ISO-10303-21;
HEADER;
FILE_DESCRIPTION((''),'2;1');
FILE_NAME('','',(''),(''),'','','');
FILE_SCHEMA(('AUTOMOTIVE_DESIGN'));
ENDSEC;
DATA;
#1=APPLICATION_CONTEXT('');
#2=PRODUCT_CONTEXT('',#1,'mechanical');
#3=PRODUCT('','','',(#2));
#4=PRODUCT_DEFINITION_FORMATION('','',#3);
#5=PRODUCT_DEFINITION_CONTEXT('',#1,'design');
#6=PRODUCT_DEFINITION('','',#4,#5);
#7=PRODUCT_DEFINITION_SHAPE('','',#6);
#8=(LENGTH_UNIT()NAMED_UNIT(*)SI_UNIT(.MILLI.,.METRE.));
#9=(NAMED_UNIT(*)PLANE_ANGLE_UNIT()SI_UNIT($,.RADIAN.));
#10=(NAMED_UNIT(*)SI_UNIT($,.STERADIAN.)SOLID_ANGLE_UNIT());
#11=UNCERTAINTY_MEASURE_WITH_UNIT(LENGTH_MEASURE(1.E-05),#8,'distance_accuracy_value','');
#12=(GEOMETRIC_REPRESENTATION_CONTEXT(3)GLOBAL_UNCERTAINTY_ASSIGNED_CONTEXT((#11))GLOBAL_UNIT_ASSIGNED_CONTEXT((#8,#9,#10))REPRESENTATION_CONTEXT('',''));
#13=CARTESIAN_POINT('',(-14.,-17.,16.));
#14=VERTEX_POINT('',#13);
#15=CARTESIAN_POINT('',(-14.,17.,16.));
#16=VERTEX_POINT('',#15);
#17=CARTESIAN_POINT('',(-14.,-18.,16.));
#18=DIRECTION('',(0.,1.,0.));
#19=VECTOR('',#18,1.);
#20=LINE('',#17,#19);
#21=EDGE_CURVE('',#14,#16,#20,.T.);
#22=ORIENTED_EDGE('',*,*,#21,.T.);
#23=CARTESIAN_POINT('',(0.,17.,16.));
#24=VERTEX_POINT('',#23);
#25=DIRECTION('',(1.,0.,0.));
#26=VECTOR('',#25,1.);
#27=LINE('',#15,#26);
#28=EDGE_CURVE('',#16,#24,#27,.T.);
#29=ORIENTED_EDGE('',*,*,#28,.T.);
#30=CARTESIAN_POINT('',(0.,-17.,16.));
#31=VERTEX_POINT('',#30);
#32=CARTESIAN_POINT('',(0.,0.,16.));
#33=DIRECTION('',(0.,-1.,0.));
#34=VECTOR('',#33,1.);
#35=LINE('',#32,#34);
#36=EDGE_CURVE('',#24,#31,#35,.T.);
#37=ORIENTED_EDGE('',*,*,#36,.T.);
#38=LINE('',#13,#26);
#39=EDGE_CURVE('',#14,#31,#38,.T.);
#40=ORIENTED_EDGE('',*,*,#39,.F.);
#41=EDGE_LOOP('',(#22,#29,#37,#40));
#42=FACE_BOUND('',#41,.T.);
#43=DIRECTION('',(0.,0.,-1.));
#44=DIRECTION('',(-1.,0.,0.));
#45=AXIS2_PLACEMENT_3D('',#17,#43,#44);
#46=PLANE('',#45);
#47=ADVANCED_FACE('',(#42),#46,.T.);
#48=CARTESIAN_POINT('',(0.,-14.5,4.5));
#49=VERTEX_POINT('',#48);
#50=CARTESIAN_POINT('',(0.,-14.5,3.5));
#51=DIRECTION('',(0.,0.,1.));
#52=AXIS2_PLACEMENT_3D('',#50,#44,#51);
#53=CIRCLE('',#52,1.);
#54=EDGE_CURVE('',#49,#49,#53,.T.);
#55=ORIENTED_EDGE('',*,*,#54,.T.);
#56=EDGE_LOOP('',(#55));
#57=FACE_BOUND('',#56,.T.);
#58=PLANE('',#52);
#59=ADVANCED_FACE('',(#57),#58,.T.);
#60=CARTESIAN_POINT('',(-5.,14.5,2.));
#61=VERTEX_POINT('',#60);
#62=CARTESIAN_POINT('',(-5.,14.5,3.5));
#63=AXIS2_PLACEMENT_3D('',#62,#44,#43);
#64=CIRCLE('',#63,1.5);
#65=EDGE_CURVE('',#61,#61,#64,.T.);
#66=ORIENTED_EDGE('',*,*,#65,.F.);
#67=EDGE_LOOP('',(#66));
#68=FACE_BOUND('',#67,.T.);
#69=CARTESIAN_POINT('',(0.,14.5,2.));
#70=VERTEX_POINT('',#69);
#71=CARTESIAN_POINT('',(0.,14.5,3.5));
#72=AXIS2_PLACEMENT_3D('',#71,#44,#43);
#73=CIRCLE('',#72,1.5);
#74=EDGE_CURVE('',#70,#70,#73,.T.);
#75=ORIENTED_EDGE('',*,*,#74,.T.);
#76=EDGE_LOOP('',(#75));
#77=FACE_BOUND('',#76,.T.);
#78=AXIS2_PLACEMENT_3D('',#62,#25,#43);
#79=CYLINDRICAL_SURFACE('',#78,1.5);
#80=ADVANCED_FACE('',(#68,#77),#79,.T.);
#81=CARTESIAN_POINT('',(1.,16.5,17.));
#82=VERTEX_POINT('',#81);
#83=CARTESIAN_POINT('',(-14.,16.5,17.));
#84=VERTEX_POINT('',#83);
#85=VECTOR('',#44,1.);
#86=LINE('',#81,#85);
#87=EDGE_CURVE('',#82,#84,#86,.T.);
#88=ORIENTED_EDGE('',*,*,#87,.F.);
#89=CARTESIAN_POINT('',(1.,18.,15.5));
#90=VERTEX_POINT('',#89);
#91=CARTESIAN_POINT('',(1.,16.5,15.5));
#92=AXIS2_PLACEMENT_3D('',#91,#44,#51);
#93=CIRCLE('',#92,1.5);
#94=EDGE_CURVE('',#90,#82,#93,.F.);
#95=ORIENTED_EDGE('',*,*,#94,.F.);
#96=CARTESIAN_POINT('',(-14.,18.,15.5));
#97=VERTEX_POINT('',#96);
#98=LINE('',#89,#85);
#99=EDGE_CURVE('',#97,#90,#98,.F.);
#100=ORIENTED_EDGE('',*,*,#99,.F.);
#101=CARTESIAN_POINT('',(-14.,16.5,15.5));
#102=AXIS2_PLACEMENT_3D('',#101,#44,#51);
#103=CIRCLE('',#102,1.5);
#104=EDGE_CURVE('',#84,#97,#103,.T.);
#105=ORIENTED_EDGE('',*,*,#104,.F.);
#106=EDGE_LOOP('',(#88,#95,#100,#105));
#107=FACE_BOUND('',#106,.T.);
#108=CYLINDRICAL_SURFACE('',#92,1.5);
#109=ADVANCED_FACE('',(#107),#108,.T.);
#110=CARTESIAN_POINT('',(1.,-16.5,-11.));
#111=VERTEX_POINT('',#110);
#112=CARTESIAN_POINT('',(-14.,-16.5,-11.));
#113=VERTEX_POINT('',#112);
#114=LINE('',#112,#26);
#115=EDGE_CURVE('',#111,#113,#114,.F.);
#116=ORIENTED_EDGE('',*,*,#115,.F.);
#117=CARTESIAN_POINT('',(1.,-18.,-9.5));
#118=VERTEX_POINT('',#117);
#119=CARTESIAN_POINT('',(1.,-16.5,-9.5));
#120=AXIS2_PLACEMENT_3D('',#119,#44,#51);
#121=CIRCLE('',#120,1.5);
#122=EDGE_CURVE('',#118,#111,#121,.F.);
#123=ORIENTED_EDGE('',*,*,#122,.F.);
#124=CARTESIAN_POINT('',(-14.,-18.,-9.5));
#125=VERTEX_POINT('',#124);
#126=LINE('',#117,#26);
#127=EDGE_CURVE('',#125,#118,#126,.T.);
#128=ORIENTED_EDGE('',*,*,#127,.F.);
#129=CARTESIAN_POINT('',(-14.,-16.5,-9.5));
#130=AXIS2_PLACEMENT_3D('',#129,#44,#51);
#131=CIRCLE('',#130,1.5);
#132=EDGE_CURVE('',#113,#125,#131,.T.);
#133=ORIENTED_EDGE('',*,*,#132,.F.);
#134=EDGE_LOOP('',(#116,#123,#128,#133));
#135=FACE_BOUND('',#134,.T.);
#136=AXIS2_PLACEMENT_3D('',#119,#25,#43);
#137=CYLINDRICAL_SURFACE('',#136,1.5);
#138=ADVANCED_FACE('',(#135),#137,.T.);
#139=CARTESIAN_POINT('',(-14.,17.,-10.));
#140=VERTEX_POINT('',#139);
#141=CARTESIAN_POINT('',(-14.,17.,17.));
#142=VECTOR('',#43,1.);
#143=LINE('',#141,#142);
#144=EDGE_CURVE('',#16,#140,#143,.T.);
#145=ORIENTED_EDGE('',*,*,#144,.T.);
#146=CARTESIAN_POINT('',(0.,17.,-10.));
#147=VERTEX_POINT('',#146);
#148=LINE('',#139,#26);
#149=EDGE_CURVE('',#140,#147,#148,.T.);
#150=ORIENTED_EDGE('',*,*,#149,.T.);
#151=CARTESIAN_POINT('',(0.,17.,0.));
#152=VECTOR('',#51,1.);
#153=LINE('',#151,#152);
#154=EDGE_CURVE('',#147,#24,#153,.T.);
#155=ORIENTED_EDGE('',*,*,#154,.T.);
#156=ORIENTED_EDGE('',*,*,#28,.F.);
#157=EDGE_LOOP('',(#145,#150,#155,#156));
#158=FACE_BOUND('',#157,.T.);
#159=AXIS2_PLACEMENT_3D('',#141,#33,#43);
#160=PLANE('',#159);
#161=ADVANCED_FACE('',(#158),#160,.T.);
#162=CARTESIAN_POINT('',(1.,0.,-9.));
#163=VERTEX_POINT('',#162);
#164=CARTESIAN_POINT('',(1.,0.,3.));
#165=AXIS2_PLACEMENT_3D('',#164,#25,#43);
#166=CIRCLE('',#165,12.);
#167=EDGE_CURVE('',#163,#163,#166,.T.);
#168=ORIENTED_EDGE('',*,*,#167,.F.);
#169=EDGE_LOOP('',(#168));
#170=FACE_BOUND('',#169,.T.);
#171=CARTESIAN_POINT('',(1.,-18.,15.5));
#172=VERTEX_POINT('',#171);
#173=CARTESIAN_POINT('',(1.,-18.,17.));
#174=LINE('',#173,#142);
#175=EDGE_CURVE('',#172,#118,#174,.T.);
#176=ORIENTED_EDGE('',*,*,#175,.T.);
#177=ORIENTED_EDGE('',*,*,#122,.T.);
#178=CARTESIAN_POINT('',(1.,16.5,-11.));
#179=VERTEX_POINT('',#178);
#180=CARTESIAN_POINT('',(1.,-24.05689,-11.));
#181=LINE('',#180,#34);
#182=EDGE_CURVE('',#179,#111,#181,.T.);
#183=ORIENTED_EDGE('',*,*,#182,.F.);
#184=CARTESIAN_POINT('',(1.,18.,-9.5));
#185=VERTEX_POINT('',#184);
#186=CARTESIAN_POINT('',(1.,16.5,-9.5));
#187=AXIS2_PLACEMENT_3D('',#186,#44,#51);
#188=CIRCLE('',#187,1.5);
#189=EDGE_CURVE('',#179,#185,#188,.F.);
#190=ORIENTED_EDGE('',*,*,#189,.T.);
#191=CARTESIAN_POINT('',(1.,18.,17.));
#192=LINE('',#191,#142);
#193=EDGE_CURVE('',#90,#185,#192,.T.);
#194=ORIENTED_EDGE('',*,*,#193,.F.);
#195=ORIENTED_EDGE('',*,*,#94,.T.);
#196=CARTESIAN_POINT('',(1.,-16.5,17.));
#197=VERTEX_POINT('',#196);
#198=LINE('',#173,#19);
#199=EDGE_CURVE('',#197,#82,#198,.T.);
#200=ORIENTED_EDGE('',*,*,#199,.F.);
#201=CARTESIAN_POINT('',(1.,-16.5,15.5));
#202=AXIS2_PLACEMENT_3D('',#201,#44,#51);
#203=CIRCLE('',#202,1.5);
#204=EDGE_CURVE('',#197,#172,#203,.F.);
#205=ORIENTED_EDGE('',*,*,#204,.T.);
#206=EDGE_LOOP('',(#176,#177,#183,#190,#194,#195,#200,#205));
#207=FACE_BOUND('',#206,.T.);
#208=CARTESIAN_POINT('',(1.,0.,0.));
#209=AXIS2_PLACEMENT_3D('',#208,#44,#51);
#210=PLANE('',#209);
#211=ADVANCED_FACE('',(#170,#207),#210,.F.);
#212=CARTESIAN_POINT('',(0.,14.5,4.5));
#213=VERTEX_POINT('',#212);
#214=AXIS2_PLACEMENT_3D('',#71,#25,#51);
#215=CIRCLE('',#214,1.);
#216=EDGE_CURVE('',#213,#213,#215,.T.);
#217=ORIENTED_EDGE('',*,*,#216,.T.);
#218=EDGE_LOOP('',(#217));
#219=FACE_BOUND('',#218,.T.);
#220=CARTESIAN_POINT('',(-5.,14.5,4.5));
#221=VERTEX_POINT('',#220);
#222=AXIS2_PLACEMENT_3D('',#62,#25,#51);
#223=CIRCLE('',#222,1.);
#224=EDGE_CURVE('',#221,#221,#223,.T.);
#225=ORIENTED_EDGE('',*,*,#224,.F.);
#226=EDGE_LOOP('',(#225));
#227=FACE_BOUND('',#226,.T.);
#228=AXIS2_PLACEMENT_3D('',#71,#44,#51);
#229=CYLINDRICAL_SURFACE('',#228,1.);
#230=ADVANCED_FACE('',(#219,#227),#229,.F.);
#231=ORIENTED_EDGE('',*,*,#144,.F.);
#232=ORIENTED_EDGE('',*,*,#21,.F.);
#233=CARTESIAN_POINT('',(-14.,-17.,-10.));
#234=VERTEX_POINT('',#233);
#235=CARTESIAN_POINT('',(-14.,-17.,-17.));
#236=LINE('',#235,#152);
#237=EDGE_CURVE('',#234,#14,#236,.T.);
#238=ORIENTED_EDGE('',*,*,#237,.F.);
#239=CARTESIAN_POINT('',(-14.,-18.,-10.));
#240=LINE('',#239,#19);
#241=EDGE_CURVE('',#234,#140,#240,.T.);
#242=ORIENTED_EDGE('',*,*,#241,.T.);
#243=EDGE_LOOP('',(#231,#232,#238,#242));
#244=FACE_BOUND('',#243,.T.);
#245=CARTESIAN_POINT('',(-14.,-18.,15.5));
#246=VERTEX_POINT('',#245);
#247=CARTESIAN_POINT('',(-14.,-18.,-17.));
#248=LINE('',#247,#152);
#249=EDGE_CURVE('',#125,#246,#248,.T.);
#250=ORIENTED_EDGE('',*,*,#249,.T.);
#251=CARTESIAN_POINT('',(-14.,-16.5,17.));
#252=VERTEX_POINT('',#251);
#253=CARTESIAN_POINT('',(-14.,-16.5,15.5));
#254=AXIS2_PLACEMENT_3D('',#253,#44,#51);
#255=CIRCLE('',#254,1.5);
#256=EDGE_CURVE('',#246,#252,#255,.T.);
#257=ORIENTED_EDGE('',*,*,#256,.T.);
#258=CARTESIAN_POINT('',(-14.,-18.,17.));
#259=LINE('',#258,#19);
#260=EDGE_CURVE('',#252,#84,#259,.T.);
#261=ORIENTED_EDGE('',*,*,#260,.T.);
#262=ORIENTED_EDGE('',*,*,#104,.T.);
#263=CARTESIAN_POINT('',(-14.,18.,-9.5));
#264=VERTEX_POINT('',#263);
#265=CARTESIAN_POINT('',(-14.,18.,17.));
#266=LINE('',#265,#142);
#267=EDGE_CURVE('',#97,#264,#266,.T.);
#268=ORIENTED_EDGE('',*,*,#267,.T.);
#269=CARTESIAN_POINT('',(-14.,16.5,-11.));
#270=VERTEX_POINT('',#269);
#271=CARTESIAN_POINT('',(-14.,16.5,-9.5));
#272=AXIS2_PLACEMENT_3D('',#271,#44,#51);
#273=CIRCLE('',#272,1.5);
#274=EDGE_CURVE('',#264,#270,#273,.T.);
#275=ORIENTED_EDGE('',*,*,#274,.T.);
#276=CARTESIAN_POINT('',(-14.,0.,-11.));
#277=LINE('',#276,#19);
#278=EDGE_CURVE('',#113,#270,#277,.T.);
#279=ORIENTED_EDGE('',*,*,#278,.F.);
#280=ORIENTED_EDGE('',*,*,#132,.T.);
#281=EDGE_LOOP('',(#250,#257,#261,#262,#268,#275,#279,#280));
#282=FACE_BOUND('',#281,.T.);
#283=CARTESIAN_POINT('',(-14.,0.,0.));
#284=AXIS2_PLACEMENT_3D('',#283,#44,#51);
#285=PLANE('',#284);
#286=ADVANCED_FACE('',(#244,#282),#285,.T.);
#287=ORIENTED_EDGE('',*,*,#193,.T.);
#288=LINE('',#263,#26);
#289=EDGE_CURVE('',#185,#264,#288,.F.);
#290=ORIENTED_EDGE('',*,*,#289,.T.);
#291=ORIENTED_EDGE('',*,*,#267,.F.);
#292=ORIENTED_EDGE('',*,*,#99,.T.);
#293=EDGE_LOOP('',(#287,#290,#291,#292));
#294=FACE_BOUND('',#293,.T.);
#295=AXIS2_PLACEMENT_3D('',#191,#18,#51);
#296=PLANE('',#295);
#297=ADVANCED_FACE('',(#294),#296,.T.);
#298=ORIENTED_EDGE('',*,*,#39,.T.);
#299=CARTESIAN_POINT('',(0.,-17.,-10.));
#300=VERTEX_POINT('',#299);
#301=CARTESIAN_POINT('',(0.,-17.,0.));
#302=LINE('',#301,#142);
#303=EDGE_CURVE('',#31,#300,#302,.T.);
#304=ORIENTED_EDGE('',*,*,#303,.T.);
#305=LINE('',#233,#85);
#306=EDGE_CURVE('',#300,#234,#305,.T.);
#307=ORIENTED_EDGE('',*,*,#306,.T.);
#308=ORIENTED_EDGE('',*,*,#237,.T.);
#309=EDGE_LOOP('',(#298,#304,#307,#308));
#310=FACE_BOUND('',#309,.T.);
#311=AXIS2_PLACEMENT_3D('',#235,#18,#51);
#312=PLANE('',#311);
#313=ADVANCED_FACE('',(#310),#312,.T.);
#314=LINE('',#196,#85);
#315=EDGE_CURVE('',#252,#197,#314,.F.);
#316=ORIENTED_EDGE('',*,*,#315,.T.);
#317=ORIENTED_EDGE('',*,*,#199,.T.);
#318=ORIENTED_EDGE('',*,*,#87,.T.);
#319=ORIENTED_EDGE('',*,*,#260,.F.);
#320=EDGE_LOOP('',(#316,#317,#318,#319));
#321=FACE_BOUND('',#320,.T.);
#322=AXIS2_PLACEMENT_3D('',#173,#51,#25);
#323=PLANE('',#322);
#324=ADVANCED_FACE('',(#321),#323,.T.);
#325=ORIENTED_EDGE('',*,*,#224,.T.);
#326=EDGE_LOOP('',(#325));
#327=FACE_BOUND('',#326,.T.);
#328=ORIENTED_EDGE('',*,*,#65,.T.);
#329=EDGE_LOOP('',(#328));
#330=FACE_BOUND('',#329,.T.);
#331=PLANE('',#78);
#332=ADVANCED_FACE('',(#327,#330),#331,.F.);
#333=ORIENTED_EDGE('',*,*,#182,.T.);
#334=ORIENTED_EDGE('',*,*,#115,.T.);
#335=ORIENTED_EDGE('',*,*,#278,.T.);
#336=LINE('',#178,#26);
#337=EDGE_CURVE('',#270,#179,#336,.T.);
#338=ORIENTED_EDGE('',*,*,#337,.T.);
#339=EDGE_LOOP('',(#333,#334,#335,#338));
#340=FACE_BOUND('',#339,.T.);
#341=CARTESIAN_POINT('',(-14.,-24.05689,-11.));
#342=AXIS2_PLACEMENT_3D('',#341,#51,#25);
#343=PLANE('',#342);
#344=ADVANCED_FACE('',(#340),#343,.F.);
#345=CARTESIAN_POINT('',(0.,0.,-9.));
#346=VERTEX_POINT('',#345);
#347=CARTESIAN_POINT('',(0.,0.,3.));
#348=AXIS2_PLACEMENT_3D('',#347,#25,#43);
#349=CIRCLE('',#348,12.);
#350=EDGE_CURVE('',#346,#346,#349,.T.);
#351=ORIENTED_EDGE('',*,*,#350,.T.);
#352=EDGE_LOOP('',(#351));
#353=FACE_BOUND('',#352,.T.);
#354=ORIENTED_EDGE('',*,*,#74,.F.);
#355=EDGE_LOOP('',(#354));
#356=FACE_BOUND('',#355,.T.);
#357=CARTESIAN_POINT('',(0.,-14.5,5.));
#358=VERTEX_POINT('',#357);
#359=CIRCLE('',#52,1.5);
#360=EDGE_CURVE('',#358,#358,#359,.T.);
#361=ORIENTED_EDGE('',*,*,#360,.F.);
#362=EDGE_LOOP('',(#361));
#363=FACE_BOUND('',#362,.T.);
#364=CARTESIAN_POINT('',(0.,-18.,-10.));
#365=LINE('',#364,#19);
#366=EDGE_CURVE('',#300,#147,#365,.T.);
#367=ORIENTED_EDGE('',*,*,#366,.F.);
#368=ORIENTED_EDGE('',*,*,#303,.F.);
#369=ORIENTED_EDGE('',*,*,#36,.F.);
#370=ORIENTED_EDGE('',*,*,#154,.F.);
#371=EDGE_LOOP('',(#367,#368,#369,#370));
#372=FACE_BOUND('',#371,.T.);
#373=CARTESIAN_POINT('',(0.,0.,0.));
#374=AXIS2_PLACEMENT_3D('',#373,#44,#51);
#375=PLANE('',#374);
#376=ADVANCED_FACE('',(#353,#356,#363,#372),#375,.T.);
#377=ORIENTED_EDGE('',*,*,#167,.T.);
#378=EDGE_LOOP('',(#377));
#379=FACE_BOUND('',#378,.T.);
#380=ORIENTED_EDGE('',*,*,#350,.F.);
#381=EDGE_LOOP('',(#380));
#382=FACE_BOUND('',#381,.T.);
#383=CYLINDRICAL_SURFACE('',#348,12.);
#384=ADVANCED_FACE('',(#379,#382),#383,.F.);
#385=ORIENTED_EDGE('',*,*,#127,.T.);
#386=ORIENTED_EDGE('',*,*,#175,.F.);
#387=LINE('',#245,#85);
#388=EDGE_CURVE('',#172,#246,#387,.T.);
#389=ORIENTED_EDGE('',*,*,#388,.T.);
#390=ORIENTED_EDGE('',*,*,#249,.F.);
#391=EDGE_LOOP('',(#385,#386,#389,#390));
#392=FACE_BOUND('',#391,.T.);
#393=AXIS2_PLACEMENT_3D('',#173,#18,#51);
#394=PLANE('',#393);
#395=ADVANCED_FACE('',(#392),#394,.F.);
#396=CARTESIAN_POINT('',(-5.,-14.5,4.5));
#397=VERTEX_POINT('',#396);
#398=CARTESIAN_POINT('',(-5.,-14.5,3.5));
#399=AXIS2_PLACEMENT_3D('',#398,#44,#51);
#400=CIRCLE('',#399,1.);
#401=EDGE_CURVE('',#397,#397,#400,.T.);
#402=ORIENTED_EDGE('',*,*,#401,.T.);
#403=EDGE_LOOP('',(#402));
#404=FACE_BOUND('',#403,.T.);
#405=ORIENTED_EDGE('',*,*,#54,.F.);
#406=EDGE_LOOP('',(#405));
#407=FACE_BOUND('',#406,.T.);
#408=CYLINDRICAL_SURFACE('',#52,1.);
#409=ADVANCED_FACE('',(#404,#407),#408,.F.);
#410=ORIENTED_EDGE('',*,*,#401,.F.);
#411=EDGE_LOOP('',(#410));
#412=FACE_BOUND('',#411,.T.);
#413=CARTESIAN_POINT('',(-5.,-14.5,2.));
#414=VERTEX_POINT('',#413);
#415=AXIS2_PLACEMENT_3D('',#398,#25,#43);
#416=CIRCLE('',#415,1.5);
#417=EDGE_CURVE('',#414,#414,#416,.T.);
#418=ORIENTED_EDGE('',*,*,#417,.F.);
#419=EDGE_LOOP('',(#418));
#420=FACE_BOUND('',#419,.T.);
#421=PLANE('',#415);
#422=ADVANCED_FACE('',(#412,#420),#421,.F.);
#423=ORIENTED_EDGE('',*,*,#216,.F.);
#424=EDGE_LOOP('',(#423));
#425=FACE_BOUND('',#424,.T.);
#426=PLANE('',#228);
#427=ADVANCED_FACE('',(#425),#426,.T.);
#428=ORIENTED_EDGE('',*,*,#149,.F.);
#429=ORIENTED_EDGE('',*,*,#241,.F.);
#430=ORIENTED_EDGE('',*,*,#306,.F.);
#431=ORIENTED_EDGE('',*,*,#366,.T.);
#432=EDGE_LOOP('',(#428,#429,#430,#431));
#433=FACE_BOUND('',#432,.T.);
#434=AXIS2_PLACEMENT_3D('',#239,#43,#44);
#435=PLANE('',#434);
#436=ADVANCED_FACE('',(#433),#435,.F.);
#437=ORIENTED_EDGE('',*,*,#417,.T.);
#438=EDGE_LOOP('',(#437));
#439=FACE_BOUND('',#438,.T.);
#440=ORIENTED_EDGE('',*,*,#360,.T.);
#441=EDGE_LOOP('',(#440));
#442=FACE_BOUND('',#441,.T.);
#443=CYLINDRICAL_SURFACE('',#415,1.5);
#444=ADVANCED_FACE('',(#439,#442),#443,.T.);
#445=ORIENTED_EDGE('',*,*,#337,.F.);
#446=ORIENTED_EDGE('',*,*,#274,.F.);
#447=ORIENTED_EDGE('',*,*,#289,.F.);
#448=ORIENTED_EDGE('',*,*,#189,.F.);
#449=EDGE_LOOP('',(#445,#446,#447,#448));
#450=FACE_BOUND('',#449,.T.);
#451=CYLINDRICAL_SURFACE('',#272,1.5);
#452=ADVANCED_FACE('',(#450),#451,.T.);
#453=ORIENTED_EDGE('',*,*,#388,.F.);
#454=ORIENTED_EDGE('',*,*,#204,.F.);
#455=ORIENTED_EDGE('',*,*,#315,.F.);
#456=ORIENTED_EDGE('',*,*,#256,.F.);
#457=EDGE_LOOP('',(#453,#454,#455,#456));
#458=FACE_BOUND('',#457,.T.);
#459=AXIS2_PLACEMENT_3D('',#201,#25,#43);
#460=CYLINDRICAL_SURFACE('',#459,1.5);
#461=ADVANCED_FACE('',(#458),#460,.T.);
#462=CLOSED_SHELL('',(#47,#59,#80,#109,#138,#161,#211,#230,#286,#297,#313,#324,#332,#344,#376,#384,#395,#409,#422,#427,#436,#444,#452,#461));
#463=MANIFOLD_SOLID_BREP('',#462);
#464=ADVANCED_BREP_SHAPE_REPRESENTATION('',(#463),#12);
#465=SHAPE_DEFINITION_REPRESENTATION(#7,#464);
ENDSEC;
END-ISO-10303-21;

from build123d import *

# Parameters (mm, degrees)
SKETCH1_W           = 36
SKETCH1_H           = 34
BOSS_EXTRUDE6_DEPTH = 1
SKETCH7_R           = 12
CUT_EXTRUDE1_DEPTH  = 1
EXTRUDE_THIN1_DEPTH = 15
SKETCH10_W          = 6.466905847
SKETCH10_H          = 48.062044255
CUT_EXTRUDE2_DEPTH  = 29.948229652
SKETCH11_W          = 36
SKETCH11_H          = 1
EXTRUDE_THIN2_DEPTH = 14
FILLET3_R           = 1.5
SKETCH12_R          = 1.5
BOSS_EXTRUDE7_DEPTH = 5
SKETCH13_R          = 1
CUT_EXTRUDE3_DEPTH  = 5


with BuildPart() as part:
    # Sketch1 → Boss-Extrude6 (new body)
    with BuildSketch(Plane.YZ):
        Rectangle(SKETCH1_W, SKETCH1_H)
    extrude(amount=BOSS_EXTRUDE6_DEPTH)

    # Sketch7 → Cut-Extrude1 (cut)
    with BuildSketch(Plane.YZ.offset(1)):
        with Locations(Location((0, 3, 0), (0, 0, 270))):
            Circle(SKETCH7_R)
    extrude(amount=-CUT_EXTRUDE1_DEPTH, mode=Mode.SUBTRACT)

    # Sketch9 → Extrude-Thin1 (add)
    with BuildSketch(Plane(origin=(1, 0, 0), x_dir=(0, 0, -1), z_dir=(1, 0, 0))):
        Polygon((17, -18), (-17, -18), (-17, 18), (17, 18), (17, 17), (-16, 17), (-16, -17), (17, -17), align=None)
    extrude(amount=-EXTRUDE_THIN1_DEPTH)

    # Sketch10 → Cut-Extrude2 (cut, through all)
    with BuildSketch(Plane(origin=(1, 0, 0), x_dir=(0, 0, -1), z_dir=(1, 0, 0))):
        with Locations((14.233452923, -0.025867623)):
            Rectangle(SKETCH10_W, SKETCH10_H)
    extrude(amount=-CUT_EXTRUDE2_DEPTH, mode=Mode.SUBTRACT)

    # Sketch11 → Extrude-Thin2 (add)
    with BuildSketch(Plane.YZ):
        with Locations((0, -10.5)):
            Rectangle(SKETCH11_W, SKETCH11_H)
    extrude(amount=-EXTRUDE_THIN2_DEPTH)

    # Fillet3
    fillet3_edges = [part.edges().sort_by_distance(p)[0] for p in [
        (-6.5, 18, -11),
        (-6.5, -18, -11),
        (-6.5, -18, 17),
        (-6.5, 18, 17),
    ]]
    fillet(fillet3_edges, radius=FILLET3_R)

    # Sketch12 → Boss-Extrude7 (add)
    with BuildSketch(Plane.YZ):
        with Locations(Location((-14.5, 3.5, 0), (0, 0, 270))):
            Circle(SKETCH12_R)
    boss_extrude7 = extrude(amount=-BOSS_EXTRUDE7_DEPTH)

    # Sketch13 → Cut-Extrude3 (cut)
    with BuildSketch(Plane(origin=(-5, 0, 0), x_dir=(0, -1, 0), z_dir=(-1, 0, 0))):
        with Locations(Location((14.5, 3.5, 0), (0, 0, 90))):
            Circle(SKETCH13_R)
    cut_extrude3 = extrude(amount=-CUT_EXTRUDE3_DEPTH, mode=Mode.SUBTRACT)

    # Mirror1: Boss-Extrude7, Cut-Extrude3 across plane
    add(boss_extrude7.mirror(Plane.ZX))
    add(cut_extrude3.mirror(Plane.ZX), mode=Mode.SUBTRACT)


solid = part.part
